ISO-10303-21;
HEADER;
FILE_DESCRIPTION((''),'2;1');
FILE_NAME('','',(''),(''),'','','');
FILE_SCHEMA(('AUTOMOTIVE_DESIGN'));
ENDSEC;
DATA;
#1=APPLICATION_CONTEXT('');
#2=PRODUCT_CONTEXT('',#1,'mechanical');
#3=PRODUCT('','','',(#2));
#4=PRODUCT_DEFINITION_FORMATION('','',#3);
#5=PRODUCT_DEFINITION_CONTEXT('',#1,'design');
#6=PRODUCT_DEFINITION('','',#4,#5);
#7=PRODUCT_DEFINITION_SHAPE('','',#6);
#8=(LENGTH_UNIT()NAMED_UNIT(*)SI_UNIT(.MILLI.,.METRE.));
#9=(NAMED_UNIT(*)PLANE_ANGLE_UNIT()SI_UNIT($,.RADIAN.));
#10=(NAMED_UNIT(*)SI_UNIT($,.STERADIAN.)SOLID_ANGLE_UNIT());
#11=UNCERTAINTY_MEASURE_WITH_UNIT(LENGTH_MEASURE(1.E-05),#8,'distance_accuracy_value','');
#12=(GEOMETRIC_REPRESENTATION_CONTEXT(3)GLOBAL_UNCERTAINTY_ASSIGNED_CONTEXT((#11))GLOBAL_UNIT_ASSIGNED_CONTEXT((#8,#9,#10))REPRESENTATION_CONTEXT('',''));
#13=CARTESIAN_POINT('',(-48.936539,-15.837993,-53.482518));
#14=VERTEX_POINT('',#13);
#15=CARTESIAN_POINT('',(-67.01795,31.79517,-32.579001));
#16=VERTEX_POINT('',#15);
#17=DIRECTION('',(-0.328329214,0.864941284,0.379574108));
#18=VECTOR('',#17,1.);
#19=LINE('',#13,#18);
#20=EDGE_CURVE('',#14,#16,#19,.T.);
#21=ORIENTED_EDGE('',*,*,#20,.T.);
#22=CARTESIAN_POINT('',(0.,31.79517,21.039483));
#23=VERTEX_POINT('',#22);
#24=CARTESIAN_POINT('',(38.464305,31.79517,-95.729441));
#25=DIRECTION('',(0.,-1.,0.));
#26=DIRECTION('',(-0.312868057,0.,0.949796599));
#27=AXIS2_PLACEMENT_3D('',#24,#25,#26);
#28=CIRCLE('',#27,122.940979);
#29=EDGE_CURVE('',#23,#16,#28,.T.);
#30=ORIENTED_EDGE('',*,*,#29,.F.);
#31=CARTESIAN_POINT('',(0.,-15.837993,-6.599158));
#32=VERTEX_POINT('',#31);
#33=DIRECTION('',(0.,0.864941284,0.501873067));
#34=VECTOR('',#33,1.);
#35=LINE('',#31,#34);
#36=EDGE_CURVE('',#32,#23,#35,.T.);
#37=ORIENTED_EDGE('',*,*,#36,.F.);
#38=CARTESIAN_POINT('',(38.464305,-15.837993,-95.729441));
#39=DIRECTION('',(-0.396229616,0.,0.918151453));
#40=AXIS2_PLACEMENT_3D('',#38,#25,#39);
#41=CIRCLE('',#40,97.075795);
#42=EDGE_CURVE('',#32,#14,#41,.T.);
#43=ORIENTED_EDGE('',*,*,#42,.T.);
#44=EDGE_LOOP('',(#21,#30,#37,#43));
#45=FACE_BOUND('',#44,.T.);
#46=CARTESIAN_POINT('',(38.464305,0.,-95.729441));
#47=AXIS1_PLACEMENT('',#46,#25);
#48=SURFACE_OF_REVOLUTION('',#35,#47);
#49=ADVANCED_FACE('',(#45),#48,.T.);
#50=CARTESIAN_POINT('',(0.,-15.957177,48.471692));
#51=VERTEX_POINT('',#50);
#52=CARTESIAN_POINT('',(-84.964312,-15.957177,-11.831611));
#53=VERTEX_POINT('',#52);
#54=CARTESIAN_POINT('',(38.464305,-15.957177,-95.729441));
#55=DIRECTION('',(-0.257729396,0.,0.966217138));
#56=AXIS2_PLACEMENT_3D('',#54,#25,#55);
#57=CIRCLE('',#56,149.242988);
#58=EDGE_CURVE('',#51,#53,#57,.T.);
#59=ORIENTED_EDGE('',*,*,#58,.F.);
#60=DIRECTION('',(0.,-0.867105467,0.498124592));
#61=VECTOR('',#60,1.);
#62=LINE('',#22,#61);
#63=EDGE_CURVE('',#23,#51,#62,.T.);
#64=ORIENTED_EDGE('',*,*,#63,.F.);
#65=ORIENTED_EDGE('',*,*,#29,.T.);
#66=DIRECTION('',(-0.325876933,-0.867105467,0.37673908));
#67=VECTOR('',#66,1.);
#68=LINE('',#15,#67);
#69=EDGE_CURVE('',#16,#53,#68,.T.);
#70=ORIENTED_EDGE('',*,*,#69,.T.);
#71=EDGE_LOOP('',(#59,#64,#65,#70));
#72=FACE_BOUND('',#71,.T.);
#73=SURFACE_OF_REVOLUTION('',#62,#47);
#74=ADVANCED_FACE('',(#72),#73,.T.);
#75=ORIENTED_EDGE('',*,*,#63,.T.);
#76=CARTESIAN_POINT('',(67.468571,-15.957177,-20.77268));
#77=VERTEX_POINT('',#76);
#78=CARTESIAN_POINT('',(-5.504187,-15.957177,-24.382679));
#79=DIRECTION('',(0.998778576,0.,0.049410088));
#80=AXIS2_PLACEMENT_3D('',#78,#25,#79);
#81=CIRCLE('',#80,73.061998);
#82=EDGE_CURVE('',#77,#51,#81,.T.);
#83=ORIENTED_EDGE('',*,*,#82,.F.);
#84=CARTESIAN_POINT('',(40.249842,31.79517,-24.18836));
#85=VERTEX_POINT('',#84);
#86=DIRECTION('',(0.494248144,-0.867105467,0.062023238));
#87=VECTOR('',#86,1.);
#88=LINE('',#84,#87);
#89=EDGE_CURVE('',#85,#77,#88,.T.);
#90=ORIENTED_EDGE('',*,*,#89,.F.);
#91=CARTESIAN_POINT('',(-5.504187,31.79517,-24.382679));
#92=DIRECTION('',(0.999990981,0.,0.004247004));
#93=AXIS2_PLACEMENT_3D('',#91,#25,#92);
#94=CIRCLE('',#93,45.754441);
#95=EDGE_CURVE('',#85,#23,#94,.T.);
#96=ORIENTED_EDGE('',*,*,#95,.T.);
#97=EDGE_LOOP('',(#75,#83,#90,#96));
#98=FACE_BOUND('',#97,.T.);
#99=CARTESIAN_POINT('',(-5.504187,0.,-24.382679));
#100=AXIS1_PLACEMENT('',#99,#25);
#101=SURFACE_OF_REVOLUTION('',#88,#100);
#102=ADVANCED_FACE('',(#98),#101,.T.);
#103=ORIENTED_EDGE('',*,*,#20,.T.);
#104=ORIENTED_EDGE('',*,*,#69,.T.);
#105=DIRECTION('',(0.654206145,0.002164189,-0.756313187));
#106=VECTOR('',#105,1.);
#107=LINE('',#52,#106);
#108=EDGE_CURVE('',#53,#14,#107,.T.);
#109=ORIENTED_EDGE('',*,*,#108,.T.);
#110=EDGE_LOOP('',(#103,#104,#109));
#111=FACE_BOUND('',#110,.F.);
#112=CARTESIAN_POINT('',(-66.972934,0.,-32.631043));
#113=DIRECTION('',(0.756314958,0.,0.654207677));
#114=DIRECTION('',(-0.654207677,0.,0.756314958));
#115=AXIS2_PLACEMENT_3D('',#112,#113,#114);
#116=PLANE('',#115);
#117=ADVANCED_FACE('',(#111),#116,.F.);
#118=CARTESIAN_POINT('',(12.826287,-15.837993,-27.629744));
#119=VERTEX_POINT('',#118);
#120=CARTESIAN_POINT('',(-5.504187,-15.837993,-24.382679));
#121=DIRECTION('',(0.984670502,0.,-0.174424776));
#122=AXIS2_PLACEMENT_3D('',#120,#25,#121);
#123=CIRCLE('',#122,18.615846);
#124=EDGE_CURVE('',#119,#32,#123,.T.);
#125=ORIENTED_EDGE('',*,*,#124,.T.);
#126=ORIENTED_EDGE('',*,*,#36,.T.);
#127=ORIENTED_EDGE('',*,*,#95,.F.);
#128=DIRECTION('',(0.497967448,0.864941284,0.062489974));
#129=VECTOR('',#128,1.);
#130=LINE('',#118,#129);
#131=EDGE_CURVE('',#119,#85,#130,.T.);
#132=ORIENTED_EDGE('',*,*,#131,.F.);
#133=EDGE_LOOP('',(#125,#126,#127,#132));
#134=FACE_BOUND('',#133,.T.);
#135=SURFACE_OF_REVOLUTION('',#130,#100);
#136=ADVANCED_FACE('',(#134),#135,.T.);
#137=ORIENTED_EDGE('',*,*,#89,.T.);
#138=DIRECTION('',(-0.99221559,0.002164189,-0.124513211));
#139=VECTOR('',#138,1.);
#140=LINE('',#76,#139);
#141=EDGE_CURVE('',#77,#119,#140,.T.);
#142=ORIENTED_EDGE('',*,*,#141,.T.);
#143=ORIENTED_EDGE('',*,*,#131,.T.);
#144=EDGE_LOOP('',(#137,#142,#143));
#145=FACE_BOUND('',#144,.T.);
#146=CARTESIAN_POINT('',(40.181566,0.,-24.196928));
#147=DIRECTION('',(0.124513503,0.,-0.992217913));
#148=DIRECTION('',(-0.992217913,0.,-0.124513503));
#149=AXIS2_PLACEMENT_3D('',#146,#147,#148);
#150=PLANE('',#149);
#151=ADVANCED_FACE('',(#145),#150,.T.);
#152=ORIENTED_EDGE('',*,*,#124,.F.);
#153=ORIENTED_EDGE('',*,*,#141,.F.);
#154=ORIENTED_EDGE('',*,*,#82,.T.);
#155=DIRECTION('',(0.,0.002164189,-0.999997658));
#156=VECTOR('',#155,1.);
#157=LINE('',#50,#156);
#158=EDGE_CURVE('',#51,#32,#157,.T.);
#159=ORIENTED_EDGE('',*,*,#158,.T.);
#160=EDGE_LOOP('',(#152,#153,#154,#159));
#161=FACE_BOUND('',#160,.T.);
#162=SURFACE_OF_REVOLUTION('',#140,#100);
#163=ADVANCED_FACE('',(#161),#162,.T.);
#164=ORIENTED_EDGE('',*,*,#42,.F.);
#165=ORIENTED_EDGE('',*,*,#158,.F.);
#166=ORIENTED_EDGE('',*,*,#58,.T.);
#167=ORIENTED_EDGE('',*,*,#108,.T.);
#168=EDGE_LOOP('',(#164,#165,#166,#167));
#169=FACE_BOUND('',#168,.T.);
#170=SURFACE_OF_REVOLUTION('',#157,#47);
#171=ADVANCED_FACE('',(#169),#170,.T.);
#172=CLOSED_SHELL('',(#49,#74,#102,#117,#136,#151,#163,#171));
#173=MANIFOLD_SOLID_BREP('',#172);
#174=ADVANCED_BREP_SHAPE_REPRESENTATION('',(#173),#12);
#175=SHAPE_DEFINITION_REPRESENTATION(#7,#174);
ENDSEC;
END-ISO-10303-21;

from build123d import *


with BuildPart() as f2:
    # F2: sweep along a path in F0
    with BuildLine(Plane.XZ) as f2_path:
        ThreePointArc((40.181566, -24.196928), (28.629821, 5.983289), (0, 20.970672))
    # F1 (on Right) → F2 (sweep)
    with BuildSketch(Plane.YZ):
        Polygon((31.79517, 21.039483), (-15.957177, 48.471692), (-15.837993, -6.599158), align=None)
    sweep(path=f2_path.line)

    # F4: sweep along a path in F3
    with BuildLine(Plane.XZ) as f4_path:
        ThreePointArc((0, 21.263966), (-38.418275, 0.478817), (-67.164809, -32.409221))
    # F1 (on Right) → F4 (sweep)
    with BuildSketch(Plane.YZ):
        Polygon((31.79517, 21.039483), (-15.957177, 48.471692), (-15.837993, -6.599158), align=None)
    sweep(path=f4_path.line)


solid = f2.part
